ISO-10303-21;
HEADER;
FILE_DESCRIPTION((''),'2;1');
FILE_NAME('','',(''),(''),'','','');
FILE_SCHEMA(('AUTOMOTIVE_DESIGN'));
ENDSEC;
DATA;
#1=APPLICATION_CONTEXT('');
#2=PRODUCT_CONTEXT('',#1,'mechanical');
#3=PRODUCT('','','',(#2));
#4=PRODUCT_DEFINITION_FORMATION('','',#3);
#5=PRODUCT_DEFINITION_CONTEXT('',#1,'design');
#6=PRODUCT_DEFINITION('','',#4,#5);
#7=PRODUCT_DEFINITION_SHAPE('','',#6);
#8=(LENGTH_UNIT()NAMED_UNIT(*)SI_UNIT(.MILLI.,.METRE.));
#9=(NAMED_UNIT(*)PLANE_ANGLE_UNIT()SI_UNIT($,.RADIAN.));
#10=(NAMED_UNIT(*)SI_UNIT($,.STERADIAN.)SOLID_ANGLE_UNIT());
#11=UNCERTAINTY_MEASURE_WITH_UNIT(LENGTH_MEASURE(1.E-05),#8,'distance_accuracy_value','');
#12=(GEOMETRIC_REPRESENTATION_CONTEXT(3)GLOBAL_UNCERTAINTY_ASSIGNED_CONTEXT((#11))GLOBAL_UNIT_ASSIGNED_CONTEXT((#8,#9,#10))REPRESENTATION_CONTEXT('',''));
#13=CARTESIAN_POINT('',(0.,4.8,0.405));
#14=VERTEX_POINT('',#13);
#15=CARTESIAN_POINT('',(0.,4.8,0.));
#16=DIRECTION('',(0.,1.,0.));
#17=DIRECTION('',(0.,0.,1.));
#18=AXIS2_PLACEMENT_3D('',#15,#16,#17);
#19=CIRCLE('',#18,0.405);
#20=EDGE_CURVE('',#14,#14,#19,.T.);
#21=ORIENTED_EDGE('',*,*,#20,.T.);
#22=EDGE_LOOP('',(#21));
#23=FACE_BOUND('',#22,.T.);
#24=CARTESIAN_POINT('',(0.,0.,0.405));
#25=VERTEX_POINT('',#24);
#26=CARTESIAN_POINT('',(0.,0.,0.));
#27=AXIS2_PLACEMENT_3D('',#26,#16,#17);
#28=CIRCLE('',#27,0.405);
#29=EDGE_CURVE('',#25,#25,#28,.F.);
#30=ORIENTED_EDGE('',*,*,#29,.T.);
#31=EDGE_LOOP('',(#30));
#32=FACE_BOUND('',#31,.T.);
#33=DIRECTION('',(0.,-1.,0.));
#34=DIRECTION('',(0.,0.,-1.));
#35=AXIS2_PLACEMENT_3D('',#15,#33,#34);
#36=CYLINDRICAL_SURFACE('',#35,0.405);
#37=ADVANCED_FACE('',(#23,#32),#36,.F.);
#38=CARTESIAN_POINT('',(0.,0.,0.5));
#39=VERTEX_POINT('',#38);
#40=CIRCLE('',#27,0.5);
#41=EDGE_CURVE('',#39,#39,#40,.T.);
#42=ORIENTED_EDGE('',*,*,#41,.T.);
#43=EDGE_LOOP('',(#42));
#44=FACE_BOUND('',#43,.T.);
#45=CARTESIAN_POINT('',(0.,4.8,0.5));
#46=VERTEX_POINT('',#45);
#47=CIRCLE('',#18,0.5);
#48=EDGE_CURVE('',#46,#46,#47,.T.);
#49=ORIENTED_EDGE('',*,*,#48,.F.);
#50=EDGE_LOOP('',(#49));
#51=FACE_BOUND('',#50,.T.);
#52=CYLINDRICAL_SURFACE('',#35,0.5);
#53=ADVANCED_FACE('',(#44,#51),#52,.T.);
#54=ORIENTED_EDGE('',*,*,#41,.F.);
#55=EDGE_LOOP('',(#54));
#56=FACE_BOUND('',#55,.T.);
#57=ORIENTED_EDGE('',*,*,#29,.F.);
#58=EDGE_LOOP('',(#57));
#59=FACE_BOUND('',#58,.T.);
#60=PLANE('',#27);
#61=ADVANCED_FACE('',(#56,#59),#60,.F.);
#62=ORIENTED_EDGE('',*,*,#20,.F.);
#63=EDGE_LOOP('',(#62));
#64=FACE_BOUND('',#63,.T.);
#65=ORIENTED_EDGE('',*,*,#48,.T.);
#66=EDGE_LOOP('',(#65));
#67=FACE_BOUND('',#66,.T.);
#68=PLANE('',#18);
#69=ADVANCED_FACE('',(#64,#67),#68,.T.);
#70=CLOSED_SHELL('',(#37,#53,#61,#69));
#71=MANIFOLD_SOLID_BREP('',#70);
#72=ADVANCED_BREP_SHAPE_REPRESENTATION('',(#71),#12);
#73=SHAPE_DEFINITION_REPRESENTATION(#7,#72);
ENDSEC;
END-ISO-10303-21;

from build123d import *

# Parameters (mm, degrees)
SKETCH2_R               = 0.5
BOSS_EXTRUDE1_DEPTH     = 4.8
CUT_EXTRUDE2_DEPTH      = 5.851803788
CUT_EXTRUDE2_DEPTH_BACK = 10
SKETCH3_R               = 0.405


with BuildPart() as part:
    # Sketch2 → Boss-Extrude1 (new body)
    with BuildSketch(Plane(origin=(0, 0, 0), x_dir=(1, 0, 0), z_dir=(0, 1, 0))):
        with Locations(Location((0, 0, 0), (0, 0, 270))):
            Circle(SKETCH2_R)
    extrude(amount=BOSS_EXTRUDE1_DEPTH)

    # Sketch3 → Cut-Extrude2 (cut, two sides: drawn at the far end of the back side and taken through both)
    with BuildSketch(Plane(origin=(0, 0, 0), x_dir=(1, 0, 0), z_dir=(0, 1, 0)).offset(-CUT_EXTRUDE2_DEPTH_BACK)):
        with Locations(Location((0, 0, 0), (0, 0, 270))):
            Circle(SKETCH3_R)
    extrude(amount=CUT_EXTRUDE2_DEPTH + CUT_EXTRUDE2_DEPTH_BACK, mode=Mode.SUBTRACT)


solid = part.part
